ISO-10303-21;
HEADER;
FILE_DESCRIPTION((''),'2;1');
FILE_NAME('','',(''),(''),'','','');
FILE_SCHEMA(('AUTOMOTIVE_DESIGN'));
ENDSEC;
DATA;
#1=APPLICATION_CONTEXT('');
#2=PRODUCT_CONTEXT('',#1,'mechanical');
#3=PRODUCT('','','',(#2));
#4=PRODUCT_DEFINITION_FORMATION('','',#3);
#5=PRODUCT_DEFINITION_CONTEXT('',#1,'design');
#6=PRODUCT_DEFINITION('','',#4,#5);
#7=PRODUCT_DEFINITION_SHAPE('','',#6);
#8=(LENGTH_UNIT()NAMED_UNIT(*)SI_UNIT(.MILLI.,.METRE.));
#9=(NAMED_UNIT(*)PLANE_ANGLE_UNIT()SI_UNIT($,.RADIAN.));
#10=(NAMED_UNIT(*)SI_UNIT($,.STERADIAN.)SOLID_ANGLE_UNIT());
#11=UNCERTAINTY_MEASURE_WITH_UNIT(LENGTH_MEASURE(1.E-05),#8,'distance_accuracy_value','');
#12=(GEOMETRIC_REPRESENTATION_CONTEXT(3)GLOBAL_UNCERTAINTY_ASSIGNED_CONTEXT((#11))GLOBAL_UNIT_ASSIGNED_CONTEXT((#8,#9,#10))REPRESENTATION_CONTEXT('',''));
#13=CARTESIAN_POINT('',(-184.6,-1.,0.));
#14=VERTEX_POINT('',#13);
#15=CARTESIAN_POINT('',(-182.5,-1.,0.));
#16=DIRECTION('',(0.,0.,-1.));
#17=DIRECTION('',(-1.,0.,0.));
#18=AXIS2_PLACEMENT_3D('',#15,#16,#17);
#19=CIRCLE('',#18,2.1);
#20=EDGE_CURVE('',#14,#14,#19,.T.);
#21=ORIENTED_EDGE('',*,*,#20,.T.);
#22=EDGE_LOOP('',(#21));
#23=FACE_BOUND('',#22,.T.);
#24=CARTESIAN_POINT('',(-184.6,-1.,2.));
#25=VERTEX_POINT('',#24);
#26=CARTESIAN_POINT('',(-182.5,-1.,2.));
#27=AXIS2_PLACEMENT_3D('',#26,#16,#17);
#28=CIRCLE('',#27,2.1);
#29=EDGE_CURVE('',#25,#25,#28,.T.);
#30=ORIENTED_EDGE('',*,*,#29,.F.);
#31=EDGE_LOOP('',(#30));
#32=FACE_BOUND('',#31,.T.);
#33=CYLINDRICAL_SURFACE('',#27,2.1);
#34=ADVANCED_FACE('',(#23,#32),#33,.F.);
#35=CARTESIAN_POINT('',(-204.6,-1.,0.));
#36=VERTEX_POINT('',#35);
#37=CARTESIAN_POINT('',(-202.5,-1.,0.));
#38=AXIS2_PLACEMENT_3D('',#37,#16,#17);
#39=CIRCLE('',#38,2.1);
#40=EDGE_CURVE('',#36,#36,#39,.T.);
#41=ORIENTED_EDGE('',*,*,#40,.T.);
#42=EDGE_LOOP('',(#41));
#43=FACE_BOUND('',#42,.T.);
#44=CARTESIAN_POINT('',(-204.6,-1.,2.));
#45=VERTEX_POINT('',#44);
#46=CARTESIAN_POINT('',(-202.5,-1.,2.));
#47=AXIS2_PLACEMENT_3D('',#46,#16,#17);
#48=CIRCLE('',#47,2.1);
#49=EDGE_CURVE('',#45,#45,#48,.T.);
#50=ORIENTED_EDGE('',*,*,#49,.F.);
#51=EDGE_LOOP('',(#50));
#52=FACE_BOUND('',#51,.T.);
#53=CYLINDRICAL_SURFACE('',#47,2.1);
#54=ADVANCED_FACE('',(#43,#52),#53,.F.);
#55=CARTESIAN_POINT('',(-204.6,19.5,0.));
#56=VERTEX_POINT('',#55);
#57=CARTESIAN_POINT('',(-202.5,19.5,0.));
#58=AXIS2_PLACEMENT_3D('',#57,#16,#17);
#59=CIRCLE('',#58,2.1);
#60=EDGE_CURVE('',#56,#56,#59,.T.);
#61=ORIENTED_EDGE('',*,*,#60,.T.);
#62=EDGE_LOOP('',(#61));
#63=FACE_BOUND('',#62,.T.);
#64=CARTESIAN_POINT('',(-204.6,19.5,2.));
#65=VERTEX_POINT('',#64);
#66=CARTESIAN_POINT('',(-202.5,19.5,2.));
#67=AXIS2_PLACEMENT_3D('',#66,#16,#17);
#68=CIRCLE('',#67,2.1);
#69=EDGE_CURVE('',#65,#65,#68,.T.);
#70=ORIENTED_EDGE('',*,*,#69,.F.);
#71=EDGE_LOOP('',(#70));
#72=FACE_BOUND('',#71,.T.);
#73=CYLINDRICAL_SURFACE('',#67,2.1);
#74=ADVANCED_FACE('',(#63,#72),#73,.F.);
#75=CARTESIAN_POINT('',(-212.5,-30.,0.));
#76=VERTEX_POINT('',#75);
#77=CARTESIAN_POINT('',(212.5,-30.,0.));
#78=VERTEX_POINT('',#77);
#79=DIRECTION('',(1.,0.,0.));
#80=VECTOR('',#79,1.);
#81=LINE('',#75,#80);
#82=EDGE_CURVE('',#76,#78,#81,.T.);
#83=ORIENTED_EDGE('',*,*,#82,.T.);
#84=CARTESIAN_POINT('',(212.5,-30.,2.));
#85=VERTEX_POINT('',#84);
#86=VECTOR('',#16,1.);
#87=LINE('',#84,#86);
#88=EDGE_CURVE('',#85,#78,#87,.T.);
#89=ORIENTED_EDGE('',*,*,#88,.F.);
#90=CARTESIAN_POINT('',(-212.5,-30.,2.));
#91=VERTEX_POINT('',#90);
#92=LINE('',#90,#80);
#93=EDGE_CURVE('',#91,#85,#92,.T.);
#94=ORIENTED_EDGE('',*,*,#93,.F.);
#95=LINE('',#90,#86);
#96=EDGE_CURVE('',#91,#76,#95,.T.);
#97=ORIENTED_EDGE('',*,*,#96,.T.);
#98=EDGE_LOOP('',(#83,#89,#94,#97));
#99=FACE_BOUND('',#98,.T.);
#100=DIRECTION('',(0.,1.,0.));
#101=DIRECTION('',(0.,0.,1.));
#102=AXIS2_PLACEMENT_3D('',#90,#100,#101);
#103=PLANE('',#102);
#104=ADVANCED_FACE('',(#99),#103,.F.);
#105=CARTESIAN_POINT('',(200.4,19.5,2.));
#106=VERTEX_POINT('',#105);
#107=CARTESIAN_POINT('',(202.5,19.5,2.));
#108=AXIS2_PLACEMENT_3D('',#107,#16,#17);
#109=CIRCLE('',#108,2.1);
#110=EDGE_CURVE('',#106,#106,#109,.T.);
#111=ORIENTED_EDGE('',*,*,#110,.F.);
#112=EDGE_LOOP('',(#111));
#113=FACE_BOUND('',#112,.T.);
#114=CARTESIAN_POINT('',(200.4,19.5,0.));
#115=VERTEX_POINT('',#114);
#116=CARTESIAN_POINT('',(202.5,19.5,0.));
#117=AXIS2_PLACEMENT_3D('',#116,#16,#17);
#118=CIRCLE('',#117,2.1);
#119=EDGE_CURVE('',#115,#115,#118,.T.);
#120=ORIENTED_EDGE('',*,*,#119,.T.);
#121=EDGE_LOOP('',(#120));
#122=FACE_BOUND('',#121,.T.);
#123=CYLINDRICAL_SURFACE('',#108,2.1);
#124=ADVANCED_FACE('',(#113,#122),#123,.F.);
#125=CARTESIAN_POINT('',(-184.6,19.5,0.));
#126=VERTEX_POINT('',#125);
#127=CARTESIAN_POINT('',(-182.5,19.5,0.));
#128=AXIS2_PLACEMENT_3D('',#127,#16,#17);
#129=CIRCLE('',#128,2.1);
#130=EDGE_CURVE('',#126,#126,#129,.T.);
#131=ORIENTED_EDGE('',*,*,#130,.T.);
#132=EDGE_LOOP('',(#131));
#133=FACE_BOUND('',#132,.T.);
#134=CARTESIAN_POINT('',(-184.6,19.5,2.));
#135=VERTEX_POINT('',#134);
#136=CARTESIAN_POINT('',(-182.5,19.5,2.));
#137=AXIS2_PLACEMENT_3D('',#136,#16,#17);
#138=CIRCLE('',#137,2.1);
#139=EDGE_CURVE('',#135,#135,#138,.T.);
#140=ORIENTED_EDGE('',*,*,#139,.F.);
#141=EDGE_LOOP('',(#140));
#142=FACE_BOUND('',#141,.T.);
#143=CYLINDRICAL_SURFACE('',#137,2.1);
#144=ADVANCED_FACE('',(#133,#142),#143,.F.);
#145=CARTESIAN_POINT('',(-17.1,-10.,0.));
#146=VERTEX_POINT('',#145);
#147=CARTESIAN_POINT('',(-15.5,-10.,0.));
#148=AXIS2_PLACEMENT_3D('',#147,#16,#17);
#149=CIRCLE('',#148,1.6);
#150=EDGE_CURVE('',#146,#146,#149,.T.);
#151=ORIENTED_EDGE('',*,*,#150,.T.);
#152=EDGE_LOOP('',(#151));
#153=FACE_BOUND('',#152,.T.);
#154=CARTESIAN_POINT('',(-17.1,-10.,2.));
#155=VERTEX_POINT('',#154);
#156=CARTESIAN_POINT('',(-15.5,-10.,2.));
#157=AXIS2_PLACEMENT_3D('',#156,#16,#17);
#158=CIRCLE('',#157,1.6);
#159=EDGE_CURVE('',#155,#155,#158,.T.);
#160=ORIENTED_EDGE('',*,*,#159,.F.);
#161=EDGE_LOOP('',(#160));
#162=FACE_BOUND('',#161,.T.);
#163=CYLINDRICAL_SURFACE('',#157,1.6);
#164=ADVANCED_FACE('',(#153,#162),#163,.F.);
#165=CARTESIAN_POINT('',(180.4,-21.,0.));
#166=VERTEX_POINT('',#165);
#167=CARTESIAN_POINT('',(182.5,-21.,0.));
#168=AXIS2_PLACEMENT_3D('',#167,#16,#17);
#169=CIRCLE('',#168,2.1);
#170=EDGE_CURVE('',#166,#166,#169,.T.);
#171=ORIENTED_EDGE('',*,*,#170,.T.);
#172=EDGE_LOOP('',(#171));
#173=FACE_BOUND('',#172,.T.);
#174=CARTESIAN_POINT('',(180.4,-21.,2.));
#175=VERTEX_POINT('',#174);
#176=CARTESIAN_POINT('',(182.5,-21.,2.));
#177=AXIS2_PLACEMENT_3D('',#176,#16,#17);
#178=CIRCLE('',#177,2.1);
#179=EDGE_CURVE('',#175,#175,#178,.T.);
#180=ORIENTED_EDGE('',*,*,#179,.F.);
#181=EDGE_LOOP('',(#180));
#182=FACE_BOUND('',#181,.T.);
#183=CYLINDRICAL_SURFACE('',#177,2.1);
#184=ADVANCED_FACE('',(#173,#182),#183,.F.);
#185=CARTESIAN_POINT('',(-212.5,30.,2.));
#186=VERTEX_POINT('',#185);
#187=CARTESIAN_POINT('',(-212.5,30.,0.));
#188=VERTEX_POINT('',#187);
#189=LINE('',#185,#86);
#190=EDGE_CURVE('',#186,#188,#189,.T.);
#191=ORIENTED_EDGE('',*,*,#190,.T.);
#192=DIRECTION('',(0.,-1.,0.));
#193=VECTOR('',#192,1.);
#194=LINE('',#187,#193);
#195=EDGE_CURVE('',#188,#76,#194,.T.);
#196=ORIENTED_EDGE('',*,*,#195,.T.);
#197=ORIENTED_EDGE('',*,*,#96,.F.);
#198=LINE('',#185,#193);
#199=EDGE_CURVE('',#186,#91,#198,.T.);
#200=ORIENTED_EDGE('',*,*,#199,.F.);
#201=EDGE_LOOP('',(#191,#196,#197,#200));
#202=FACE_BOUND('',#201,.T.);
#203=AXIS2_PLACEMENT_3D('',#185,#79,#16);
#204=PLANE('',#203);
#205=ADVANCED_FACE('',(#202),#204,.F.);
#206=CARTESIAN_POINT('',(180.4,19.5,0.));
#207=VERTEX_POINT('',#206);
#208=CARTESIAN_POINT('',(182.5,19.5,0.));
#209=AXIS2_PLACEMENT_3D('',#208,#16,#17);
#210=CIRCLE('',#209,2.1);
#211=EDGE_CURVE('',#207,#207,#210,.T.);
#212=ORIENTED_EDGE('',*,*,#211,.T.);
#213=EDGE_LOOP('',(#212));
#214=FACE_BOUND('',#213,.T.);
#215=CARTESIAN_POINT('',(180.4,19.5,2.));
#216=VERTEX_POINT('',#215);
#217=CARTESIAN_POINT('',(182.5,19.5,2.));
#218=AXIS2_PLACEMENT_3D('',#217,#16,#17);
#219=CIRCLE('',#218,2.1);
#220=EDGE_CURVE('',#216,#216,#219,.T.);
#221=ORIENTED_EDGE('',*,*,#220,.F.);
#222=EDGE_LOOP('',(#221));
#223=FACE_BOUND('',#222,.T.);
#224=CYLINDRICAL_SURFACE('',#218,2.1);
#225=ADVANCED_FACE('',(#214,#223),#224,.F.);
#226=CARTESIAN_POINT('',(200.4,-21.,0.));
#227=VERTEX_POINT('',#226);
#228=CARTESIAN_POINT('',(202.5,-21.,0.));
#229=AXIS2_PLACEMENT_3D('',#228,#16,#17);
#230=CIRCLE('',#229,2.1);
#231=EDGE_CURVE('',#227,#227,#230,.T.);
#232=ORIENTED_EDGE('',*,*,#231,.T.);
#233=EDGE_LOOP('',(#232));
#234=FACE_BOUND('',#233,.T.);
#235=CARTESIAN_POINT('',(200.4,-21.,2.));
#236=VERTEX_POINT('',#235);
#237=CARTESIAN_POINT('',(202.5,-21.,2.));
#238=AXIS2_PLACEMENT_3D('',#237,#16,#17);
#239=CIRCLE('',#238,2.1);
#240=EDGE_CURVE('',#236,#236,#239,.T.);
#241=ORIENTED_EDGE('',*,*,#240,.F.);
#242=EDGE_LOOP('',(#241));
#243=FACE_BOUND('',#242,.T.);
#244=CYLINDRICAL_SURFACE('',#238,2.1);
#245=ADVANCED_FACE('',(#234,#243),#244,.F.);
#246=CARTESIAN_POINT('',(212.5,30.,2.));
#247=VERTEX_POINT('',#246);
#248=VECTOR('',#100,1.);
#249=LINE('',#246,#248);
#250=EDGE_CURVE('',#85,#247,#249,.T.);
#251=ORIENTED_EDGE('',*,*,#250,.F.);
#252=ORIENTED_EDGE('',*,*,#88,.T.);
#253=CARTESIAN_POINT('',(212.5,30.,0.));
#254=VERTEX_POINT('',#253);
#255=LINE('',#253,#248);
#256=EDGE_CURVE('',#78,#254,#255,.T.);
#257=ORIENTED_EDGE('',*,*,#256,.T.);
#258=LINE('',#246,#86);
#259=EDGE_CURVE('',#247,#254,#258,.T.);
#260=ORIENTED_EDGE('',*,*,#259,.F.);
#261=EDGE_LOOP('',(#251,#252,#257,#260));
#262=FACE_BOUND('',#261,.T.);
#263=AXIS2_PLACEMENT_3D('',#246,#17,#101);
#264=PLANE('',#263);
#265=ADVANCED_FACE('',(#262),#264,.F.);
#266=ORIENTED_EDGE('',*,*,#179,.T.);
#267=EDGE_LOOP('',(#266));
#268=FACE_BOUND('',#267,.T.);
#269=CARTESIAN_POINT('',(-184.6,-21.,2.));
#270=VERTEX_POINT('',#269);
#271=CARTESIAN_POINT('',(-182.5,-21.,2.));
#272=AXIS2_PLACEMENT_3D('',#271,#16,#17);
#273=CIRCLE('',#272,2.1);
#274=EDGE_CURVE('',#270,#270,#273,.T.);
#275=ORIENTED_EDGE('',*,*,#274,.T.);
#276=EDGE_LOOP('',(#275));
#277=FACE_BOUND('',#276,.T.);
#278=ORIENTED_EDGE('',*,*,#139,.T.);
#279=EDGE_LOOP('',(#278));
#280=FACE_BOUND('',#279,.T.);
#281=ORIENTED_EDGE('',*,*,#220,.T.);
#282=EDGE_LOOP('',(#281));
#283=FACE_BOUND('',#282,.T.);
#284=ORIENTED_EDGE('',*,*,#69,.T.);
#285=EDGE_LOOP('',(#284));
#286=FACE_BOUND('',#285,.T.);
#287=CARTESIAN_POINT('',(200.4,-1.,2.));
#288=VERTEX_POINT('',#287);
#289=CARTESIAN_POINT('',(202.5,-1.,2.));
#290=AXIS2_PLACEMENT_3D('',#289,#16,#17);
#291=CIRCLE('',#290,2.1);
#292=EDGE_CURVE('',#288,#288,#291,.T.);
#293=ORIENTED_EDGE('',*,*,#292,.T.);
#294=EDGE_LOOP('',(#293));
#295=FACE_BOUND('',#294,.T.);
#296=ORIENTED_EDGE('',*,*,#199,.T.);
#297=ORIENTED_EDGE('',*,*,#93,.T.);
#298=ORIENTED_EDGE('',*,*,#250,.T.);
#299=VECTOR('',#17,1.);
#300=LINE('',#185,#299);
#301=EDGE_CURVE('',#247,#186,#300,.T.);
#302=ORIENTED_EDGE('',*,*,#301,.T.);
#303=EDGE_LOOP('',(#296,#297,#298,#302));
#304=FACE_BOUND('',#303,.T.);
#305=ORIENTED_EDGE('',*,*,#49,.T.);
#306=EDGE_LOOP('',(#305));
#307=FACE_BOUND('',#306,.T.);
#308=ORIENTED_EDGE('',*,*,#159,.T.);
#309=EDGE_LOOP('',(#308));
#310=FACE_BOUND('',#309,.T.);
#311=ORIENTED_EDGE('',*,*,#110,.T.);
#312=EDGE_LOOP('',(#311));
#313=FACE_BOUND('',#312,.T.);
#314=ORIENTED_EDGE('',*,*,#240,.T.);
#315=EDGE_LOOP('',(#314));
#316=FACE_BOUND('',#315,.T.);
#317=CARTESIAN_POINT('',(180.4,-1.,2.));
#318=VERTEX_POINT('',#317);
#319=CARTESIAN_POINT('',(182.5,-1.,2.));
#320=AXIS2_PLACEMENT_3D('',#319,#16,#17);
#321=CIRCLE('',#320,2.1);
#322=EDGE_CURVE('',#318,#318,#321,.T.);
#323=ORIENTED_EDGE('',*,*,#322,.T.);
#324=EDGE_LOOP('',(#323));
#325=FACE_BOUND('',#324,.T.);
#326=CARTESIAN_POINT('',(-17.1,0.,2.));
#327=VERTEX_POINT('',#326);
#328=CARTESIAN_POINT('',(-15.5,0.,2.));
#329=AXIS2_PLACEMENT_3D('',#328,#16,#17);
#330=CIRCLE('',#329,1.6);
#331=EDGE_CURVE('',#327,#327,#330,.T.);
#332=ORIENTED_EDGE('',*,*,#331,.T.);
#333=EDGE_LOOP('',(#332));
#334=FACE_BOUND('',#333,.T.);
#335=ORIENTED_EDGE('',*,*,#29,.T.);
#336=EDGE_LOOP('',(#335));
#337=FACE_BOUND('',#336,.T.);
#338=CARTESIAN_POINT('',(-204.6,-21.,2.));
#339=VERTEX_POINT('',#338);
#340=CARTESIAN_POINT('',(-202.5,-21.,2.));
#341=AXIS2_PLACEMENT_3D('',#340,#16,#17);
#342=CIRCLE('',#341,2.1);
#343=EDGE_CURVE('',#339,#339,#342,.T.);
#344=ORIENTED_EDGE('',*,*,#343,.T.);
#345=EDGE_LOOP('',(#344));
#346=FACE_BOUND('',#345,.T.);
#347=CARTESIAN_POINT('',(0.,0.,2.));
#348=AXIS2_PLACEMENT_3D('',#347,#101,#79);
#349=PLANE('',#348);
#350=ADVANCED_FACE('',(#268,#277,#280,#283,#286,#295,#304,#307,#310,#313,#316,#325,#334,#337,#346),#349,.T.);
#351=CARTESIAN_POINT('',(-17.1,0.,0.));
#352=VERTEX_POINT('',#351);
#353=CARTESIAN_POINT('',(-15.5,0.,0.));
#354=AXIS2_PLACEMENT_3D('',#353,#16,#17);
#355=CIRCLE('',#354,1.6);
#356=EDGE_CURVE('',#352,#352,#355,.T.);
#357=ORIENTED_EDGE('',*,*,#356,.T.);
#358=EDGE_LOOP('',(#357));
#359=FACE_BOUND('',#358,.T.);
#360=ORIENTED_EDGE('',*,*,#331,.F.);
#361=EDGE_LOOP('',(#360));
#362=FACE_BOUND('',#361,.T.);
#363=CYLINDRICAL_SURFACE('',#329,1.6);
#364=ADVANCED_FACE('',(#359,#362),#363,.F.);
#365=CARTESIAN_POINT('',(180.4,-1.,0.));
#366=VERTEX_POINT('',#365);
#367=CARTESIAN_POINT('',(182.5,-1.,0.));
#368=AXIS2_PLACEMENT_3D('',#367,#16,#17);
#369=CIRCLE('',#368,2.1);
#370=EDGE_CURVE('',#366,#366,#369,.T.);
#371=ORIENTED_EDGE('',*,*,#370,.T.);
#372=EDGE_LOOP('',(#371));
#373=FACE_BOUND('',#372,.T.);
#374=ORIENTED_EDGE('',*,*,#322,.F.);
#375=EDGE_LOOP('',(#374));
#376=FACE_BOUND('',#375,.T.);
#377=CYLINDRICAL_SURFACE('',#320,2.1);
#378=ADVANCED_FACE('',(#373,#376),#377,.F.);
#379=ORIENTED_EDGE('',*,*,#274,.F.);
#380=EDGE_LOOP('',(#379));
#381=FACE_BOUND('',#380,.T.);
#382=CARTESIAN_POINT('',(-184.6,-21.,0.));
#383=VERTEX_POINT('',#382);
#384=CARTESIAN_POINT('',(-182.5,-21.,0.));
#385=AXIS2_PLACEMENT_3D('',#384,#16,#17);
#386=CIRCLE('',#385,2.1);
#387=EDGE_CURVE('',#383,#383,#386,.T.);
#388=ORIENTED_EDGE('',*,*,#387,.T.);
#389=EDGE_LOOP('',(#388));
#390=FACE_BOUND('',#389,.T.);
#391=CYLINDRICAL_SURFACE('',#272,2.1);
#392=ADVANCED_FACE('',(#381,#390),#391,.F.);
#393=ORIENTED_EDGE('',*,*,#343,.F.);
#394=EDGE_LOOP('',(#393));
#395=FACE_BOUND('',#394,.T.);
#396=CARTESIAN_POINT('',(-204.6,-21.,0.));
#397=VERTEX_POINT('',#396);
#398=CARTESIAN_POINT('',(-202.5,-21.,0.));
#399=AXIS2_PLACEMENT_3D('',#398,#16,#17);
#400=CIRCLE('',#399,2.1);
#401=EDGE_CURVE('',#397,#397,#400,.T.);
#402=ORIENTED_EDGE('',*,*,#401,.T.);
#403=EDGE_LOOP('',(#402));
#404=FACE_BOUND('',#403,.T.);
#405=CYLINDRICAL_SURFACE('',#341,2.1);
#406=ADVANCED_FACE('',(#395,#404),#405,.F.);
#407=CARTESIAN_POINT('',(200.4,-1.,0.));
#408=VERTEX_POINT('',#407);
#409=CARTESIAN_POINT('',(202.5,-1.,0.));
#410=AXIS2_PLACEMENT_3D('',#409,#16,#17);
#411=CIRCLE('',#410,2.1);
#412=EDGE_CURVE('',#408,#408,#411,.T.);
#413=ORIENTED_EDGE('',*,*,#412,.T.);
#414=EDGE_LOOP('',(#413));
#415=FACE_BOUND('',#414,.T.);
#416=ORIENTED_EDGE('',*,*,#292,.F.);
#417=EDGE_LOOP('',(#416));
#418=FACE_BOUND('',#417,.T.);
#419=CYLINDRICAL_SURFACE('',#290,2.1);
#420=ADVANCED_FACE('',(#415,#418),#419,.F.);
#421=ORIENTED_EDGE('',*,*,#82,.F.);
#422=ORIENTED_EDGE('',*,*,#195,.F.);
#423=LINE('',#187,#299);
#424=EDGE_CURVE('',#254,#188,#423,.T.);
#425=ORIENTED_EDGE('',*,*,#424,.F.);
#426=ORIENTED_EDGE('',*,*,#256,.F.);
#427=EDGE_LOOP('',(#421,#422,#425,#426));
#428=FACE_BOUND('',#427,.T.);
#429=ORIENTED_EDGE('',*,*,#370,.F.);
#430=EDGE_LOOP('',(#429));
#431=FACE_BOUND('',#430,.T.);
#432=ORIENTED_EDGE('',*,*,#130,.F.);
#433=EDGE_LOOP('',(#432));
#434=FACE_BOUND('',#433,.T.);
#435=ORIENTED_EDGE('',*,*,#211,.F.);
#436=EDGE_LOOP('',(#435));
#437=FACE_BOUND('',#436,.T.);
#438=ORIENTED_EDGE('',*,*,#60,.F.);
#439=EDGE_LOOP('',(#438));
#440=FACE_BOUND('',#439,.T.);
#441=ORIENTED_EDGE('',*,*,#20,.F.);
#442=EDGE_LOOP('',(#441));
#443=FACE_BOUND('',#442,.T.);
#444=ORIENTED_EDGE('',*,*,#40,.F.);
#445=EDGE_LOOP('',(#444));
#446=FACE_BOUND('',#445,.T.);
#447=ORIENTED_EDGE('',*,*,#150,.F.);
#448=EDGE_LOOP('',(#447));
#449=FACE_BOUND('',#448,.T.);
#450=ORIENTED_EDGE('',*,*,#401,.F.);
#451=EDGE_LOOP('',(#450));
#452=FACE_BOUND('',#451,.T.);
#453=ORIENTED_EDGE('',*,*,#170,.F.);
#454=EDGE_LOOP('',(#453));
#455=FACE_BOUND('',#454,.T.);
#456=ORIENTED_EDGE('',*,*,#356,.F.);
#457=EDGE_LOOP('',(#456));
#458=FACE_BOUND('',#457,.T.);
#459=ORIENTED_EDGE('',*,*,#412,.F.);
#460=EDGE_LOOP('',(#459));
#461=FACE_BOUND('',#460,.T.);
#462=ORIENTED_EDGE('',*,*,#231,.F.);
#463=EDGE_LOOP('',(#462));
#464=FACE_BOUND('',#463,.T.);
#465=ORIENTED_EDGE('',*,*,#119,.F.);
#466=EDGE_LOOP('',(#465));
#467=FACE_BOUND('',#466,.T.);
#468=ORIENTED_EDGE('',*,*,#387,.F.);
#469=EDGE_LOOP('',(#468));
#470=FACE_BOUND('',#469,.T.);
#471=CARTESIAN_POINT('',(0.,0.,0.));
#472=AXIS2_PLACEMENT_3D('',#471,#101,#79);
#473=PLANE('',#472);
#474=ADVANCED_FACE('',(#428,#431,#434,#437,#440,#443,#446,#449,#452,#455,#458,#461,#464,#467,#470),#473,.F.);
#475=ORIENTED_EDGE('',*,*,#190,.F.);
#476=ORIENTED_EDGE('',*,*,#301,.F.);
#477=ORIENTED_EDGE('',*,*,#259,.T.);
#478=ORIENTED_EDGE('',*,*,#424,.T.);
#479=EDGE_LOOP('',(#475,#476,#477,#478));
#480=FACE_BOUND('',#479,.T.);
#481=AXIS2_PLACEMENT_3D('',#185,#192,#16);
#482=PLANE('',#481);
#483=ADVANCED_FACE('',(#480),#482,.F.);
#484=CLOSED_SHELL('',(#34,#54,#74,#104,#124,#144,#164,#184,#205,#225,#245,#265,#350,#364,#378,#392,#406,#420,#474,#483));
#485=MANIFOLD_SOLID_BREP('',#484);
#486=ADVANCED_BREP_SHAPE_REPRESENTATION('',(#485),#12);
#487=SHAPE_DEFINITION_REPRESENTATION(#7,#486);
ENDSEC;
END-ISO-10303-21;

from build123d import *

# Parameters (mm, degrees)
SKETCH_1_W          = 425
SKETCH_1_H          = 60
EXTRUDE_1_DEPTH     = 2
SKETCH_2_R          = 2.1
SKETCH_2_R_2        = 1.6
CUT_EXTRUDE_1_DEPTH = 215.61651847


with BuildPart() as part:
    # 草图1 → 凸台-拉伸1 (new body)
    with BuildSketch(Plane.XY):
        Rectangle(SKETCH_1_W, SKETCH_1_H)
    extrude(amount=EXTRUDE_1_DEPTH)

    # 草图2 → 切除-拉伸1 (cut, through all)
    with BuildSketch(Plane(origin=(0, 0, 0), x_dir=(-1, 0, 0), z_dir=(0, 0, -1))):
        with Locations((202.5, -21)):
            Circle(SKETCH_2_R)
        with Locations((182.5, -21)):
            Circle(SKETCH_2_R)
        with Locations((202.5, 19.5)):
            Circle(SKETCH_2_R)
        with Locations((202.5, -1)):
            Circle(SKETCH_2_R)
        with Locations((182.5, -1)):
            Circle(SKETCH_2_R)
        with Locations((182.5, 19.5)):
            Circle(SKETCH_2_R)
        with Locations((-182.5, -21)):
            Circle(SKETCH_2_R)
        with Locations((-202.5, -21)):
            Circle(SKETCH_2_R)
        with Locations((-182.5, -1)):
            Circle(SKETCH_2_R)
        with Locations((-202.5, -1)):
            Circle(SKETCH_2_R)
        with Locations((-202.5, 19.5)):
            Circle(SKETCH_2_R)
        with Locations((-182.5, 19.5)):
            Circle(SKETCH_2_R)
        with Locations((15.5, -10)):
            Circle(SKETCH_2_R_2)
        with Locations((15.5, 0)):
            Circle(SKETCH_2_R_2)
    extrude(amount=-CUT_EXTRUDE_1_DEPTH, mode=Mode.SUBTRACT)


solid = part.part
